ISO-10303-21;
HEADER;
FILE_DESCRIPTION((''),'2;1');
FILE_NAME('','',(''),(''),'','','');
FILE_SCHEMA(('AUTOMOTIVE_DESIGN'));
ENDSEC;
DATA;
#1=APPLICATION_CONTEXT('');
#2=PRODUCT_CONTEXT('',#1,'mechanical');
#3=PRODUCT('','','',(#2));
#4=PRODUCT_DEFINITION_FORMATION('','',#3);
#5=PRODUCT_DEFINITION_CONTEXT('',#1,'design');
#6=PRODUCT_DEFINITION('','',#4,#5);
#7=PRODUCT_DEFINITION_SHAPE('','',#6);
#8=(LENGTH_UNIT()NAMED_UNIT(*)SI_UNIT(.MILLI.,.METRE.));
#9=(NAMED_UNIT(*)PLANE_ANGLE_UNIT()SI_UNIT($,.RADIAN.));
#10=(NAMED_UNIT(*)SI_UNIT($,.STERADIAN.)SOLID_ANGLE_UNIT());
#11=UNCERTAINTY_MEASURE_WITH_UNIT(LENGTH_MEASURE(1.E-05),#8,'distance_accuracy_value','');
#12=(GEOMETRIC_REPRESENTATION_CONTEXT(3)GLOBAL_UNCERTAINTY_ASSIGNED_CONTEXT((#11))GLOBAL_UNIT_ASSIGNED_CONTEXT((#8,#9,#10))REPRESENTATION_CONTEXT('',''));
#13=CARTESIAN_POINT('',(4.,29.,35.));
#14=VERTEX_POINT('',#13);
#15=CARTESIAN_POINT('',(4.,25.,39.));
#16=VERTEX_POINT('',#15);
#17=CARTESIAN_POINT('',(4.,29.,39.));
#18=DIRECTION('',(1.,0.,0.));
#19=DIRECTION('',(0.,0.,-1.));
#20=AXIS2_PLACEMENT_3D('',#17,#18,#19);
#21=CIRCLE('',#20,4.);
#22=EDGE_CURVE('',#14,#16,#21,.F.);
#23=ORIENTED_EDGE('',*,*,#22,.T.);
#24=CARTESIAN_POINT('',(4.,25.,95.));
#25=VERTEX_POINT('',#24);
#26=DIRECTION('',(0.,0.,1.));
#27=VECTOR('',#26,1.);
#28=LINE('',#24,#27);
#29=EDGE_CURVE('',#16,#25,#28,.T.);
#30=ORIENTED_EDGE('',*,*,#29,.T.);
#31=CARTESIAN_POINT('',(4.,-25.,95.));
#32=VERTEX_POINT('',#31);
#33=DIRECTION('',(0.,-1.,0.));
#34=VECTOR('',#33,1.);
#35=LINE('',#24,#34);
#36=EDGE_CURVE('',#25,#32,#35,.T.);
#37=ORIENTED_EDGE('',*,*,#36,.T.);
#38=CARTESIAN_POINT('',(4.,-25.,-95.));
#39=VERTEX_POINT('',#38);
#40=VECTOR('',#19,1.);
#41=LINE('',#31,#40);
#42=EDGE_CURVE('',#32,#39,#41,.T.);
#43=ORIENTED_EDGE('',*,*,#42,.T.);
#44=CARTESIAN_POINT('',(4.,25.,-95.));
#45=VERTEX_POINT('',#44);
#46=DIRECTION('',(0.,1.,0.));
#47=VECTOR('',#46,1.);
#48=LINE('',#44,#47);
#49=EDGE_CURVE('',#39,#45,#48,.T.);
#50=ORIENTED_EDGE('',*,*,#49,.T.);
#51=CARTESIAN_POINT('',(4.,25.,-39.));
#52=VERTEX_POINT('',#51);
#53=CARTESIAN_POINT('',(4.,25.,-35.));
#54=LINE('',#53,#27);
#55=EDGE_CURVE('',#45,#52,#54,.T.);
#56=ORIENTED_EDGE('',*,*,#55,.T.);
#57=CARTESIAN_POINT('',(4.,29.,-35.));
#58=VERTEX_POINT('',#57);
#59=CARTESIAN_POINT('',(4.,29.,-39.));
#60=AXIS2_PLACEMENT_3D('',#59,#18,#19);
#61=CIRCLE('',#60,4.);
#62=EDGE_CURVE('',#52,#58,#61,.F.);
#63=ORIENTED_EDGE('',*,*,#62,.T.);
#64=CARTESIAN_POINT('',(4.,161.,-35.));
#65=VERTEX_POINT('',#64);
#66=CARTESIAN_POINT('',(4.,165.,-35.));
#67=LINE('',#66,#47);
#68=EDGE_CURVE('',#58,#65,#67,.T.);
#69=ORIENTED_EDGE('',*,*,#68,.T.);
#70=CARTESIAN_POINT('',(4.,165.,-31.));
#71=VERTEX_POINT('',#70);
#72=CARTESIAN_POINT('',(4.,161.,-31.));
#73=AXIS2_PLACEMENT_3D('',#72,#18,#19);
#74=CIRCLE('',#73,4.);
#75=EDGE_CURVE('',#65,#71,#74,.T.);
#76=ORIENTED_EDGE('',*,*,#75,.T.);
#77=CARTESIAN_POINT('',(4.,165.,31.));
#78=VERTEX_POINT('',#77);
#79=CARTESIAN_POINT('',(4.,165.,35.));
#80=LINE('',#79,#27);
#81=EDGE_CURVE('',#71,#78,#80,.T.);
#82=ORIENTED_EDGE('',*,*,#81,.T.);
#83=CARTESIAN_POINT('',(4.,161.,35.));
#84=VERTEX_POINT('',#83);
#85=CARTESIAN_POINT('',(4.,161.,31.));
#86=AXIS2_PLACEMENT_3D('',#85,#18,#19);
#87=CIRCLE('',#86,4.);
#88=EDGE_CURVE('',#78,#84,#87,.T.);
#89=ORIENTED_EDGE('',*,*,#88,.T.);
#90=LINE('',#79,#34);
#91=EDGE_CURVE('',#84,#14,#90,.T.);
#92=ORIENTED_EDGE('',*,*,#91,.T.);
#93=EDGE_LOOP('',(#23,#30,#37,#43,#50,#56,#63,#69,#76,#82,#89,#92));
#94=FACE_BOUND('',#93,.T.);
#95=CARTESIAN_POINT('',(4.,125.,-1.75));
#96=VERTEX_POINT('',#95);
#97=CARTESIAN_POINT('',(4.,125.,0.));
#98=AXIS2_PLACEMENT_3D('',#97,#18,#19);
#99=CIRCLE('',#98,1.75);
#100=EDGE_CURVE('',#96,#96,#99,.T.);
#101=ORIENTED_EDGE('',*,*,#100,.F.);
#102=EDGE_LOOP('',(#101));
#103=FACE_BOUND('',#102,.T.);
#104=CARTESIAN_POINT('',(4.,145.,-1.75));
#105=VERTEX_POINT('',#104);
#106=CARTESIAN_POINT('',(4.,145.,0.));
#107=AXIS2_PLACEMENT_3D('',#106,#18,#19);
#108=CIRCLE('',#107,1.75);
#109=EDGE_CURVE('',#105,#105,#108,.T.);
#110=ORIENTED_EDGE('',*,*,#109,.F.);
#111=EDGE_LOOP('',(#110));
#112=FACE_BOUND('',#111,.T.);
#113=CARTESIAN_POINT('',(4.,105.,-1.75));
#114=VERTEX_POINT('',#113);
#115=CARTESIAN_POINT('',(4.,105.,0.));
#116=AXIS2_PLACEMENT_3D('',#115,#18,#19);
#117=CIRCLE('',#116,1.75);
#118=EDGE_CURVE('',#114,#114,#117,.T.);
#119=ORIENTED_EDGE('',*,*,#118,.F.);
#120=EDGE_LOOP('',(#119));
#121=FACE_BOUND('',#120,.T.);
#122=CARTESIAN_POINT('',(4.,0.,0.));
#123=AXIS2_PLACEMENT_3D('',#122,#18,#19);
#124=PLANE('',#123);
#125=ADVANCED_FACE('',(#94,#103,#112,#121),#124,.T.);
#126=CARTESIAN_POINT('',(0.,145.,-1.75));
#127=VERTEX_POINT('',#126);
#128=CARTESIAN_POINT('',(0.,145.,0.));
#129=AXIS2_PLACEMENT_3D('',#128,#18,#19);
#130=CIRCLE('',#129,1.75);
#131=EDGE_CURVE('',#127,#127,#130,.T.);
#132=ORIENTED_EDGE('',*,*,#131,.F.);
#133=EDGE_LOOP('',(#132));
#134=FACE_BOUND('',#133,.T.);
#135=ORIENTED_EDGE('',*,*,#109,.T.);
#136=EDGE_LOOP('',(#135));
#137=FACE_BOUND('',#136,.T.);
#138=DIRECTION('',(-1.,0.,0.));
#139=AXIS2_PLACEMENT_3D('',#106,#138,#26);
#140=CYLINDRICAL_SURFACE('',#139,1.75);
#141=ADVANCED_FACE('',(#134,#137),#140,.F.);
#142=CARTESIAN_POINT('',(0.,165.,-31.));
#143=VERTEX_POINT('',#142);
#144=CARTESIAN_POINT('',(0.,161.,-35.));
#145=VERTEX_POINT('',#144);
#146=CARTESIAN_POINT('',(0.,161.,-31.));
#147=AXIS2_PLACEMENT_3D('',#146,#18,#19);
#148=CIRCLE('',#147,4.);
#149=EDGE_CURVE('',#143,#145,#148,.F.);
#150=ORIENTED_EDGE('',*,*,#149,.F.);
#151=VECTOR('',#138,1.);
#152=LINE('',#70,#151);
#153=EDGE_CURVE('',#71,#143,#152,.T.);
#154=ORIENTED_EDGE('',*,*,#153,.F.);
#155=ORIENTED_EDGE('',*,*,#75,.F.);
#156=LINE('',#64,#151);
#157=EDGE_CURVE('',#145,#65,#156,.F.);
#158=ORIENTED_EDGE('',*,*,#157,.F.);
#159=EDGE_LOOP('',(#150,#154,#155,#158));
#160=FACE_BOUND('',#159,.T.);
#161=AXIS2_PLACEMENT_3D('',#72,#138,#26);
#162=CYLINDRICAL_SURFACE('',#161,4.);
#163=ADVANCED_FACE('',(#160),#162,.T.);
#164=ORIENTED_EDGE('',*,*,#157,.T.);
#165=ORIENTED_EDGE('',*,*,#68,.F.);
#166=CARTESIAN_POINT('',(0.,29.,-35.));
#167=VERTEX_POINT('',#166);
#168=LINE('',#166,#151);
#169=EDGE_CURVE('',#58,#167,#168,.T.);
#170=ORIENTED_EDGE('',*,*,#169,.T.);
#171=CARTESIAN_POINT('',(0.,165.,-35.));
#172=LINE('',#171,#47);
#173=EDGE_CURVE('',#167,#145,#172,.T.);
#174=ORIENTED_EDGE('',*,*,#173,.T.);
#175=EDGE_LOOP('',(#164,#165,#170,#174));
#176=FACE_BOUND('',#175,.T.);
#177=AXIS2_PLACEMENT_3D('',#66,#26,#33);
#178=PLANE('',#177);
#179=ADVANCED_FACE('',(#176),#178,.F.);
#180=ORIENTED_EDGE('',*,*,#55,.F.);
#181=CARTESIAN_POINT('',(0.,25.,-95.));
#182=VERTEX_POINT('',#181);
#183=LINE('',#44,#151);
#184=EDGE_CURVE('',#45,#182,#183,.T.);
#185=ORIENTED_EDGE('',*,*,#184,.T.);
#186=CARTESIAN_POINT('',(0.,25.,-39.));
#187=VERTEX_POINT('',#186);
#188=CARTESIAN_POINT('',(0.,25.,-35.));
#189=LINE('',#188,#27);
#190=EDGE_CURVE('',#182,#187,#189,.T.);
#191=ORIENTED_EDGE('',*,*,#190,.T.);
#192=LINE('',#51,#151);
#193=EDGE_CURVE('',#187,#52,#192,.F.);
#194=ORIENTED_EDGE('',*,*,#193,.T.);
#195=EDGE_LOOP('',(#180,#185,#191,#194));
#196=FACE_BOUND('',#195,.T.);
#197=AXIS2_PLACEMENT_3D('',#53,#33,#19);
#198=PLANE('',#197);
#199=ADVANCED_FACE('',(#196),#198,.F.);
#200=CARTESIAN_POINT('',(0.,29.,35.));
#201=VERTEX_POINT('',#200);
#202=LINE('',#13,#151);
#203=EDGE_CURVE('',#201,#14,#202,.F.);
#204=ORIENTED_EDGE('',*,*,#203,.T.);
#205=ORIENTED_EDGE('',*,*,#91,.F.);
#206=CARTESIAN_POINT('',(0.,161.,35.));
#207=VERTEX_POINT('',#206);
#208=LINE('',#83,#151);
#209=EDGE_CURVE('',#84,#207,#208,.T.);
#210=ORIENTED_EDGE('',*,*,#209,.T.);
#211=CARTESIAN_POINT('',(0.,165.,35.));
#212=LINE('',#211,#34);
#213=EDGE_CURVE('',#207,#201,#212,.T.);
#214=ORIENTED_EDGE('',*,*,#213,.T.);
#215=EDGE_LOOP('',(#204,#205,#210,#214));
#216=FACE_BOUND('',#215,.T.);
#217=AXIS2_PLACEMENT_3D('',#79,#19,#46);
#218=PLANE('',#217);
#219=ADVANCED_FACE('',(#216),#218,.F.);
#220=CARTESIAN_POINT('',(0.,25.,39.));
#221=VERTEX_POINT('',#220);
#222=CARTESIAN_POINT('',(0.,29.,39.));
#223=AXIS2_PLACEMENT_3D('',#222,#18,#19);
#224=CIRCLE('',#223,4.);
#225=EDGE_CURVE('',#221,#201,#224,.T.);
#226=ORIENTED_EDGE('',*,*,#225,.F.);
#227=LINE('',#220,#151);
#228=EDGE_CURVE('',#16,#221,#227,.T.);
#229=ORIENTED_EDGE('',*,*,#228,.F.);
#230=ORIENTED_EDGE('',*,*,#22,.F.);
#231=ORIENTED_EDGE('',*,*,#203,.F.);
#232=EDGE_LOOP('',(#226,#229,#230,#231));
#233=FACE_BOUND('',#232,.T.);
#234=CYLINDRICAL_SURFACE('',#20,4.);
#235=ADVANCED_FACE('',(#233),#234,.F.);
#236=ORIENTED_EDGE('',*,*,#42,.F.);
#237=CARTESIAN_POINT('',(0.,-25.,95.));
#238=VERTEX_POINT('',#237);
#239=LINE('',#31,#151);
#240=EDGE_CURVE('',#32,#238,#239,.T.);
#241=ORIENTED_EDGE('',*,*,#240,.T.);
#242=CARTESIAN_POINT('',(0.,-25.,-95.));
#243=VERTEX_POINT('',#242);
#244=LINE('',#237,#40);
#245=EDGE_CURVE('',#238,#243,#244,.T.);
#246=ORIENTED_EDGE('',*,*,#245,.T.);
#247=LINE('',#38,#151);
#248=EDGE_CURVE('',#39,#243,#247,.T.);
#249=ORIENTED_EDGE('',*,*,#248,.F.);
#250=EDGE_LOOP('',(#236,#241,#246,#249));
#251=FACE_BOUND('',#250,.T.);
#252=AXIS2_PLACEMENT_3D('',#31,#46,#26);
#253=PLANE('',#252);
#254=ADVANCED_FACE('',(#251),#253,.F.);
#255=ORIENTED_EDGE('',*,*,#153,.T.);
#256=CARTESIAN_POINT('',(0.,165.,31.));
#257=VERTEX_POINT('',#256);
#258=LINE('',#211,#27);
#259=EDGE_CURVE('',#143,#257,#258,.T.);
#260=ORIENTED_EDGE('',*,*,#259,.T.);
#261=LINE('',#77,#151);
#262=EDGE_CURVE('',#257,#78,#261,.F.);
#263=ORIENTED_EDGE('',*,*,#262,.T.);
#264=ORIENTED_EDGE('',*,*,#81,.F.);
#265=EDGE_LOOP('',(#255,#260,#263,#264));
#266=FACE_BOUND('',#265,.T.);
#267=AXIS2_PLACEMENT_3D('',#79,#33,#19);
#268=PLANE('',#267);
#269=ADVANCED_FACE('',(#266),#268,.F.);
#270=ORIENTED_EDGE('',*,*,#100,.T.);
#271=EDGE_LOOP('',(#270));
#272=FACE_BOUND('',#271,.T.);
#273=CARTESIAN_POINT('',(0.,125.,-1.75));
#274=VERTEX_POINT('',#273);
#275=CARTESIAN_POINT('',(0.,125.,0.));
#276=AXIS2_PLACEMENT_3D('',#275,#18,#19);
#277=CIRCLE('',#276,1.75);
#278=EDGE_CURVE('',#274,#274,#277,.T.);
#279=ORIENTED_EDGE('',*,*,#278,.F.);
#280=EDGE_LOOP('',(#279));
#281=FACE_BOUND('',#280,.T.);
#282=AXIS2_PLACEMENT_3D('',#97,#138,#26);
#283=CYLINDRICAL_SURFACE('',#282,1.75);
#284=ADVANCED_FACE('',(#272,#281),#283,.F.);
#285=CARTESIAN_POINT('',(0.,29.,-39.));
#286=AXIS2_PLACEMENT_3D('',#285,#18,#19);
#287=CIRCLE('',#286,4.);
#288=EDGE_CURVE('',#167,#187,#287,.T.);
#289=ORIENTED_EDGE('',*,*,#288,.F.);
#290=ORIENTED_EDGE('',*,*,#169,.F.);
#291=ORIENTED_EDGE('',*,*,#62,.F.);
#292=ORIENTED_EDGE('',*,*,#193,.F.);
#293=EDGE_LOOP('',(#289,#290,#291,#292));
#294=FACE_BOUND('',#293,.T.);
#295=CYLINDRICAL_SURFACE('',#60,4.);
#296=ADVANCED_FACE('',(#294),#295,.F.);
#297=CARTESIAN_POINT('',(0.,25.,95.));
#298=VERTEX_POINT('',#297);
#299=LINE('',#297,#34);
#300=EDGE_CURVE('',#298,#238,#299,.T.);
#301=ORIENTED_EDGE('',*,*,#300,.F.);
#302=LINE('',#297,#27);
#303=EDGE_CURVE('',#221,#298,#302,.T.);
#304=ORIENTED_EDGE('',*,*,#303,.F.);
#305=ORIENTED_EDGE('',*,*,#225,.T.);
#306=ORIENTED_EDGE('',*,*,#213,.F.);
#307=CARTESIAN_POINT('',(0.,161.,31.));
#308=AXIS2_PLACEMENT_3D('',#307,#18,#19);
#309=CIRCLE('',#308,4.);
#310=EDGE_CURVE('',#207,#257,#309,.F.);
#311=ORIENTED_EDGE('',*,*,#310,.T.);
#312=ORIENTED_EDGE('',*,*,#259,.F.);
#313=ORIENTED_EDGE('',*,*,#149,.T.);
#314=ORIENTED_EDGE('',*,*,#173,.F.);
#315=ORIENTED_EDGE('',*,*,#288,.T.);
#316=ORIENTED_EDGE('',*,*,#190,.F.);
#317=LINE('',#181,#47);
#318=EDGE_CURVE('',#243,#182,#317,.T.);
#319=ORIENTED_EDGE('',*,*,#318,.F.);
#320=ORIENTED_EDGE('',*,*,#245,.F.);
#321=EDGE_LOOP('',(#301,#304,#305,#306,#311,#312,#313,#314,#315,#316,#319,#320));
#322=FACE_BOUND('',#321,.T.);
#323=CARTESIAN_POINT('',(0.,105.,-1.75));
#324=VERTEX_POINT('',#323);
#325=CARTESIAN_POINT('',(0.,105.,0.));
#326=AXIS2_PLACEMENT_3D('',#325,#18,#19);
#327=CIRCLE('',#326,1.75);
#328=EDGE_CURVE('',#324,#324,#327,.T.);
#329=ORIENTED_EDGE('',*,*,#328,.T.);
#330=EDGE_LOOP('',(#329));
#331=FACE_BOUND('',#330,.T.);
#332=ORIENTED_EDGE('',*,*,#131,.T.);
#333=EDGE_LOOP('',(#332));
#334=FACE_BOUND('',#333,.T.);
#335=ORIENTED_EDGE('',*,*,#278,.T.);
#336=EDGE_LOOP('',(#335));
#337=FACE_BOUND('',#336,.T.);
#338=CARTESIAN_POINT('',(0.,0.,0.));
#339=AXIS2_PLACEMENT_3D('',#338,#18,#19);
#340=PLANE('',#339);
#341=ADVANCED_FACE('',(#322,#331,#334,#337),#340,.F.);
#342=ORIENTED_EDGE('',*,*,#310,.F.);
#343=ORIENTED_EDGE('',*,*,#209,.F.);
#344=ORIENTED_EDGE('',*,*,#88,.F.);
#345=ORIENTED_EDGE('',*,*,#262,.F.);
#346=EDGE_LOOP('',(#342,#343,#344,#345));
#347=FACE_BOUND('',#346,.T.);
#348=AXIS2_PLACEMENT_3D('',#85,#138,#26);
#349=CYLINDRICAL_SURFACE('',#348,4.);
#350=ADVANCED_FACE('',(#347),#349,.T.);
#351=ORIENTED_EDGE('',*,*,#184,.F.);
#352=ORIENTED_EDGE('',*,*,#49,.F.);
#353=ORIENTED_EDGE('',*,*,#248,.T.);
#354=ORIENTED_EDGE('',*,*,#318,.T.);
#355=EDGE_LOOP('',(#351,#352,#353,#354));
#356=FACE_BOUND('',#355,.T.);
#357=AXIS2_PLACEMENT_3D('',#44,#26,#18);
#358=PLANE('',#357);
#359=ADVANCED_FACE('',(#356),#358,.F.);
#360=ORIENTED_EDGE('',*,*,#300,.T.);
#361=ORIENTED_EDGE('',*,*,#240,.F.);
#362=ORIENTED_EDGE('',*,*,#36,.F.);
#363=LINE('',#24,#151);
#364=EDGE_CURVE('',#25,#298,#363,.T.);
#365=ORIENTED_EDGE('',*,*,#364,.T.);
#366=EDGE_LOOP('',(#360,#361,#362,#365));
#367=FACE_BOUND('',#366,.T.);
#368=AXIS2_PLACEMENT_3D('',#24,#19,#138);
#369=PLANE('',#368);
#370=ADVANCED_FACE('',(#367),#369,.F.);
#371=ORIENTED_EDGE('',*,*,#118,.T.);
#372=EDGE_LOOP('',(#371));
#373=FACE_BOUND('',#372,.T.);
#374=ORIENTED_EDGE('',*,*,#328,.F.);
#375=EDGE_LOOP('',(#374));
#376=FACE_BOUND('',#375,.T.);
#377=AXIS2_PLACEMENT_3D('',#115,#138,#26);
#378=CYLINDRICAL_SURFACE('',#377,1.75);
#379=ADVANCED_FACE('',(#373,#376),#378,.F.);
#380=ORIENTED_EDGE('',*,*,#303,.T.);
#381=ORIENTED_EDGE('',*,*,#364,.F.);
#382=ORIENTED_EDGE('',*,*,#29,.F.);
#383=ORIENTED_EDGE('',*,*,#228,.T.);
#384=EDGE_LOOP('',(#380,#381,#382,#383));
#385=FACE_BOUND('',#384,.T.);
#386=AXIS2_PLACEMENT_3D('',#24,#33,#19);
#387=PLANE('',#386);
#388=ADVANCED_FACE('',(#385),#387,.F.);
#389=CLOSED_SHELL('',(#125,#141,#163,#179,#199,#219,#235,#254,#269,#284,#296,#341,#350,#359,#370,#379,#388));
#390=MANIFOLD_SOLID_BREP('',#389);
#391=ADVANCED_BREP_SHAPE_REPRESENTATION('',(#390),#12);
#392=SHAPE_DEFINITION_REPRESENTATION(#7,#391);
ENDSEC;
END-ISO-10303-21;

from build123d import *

# Parameters (mm, degrees)
SKETCH1_R           = 1.75
BOSS_EXTRUDE1_DEPTH = 4
FILLET1_R           = 4


with BuildPart() as part:
    # Sketch1 → Boss-Extrude1 (new body)
    with BuildSketch(Plane(origin=(0, 0, 0), x_dir=(0, 0, -1), z_dir=(1, 0, 0))):
        Polygon((35, 25), (95, 25), (95, -25), (-95, -25), (-95, 25), (-35, 25), (-35, 165), (35, 165), align=None)
        with Locations((0, 145)):
            Circle(SKETCH1_R, mode=Mode.SUBTRACT)
        with Locations((0, 125)):
            Circle(SKETCH1_R, mode=Mode.SUBTRACT)
        with Locations((0, 105)):
            Circle(SKETCH1_R, mode=Mode.SUBTRACT)
    extrude(amount=BOSS_EXTRUDE1_DEPTH)

    # Fillet1
    fillet1_edges = [part.edges().sort_by_distance(p)[0] for p in [
        (2, 25, 35),
        (2, 165, 35),
        (2, 165, -35),
        (2, 25, -35),
    ]]
    fillet(fillet1_edges, radius=FILLET1_R)


solid = part.part
